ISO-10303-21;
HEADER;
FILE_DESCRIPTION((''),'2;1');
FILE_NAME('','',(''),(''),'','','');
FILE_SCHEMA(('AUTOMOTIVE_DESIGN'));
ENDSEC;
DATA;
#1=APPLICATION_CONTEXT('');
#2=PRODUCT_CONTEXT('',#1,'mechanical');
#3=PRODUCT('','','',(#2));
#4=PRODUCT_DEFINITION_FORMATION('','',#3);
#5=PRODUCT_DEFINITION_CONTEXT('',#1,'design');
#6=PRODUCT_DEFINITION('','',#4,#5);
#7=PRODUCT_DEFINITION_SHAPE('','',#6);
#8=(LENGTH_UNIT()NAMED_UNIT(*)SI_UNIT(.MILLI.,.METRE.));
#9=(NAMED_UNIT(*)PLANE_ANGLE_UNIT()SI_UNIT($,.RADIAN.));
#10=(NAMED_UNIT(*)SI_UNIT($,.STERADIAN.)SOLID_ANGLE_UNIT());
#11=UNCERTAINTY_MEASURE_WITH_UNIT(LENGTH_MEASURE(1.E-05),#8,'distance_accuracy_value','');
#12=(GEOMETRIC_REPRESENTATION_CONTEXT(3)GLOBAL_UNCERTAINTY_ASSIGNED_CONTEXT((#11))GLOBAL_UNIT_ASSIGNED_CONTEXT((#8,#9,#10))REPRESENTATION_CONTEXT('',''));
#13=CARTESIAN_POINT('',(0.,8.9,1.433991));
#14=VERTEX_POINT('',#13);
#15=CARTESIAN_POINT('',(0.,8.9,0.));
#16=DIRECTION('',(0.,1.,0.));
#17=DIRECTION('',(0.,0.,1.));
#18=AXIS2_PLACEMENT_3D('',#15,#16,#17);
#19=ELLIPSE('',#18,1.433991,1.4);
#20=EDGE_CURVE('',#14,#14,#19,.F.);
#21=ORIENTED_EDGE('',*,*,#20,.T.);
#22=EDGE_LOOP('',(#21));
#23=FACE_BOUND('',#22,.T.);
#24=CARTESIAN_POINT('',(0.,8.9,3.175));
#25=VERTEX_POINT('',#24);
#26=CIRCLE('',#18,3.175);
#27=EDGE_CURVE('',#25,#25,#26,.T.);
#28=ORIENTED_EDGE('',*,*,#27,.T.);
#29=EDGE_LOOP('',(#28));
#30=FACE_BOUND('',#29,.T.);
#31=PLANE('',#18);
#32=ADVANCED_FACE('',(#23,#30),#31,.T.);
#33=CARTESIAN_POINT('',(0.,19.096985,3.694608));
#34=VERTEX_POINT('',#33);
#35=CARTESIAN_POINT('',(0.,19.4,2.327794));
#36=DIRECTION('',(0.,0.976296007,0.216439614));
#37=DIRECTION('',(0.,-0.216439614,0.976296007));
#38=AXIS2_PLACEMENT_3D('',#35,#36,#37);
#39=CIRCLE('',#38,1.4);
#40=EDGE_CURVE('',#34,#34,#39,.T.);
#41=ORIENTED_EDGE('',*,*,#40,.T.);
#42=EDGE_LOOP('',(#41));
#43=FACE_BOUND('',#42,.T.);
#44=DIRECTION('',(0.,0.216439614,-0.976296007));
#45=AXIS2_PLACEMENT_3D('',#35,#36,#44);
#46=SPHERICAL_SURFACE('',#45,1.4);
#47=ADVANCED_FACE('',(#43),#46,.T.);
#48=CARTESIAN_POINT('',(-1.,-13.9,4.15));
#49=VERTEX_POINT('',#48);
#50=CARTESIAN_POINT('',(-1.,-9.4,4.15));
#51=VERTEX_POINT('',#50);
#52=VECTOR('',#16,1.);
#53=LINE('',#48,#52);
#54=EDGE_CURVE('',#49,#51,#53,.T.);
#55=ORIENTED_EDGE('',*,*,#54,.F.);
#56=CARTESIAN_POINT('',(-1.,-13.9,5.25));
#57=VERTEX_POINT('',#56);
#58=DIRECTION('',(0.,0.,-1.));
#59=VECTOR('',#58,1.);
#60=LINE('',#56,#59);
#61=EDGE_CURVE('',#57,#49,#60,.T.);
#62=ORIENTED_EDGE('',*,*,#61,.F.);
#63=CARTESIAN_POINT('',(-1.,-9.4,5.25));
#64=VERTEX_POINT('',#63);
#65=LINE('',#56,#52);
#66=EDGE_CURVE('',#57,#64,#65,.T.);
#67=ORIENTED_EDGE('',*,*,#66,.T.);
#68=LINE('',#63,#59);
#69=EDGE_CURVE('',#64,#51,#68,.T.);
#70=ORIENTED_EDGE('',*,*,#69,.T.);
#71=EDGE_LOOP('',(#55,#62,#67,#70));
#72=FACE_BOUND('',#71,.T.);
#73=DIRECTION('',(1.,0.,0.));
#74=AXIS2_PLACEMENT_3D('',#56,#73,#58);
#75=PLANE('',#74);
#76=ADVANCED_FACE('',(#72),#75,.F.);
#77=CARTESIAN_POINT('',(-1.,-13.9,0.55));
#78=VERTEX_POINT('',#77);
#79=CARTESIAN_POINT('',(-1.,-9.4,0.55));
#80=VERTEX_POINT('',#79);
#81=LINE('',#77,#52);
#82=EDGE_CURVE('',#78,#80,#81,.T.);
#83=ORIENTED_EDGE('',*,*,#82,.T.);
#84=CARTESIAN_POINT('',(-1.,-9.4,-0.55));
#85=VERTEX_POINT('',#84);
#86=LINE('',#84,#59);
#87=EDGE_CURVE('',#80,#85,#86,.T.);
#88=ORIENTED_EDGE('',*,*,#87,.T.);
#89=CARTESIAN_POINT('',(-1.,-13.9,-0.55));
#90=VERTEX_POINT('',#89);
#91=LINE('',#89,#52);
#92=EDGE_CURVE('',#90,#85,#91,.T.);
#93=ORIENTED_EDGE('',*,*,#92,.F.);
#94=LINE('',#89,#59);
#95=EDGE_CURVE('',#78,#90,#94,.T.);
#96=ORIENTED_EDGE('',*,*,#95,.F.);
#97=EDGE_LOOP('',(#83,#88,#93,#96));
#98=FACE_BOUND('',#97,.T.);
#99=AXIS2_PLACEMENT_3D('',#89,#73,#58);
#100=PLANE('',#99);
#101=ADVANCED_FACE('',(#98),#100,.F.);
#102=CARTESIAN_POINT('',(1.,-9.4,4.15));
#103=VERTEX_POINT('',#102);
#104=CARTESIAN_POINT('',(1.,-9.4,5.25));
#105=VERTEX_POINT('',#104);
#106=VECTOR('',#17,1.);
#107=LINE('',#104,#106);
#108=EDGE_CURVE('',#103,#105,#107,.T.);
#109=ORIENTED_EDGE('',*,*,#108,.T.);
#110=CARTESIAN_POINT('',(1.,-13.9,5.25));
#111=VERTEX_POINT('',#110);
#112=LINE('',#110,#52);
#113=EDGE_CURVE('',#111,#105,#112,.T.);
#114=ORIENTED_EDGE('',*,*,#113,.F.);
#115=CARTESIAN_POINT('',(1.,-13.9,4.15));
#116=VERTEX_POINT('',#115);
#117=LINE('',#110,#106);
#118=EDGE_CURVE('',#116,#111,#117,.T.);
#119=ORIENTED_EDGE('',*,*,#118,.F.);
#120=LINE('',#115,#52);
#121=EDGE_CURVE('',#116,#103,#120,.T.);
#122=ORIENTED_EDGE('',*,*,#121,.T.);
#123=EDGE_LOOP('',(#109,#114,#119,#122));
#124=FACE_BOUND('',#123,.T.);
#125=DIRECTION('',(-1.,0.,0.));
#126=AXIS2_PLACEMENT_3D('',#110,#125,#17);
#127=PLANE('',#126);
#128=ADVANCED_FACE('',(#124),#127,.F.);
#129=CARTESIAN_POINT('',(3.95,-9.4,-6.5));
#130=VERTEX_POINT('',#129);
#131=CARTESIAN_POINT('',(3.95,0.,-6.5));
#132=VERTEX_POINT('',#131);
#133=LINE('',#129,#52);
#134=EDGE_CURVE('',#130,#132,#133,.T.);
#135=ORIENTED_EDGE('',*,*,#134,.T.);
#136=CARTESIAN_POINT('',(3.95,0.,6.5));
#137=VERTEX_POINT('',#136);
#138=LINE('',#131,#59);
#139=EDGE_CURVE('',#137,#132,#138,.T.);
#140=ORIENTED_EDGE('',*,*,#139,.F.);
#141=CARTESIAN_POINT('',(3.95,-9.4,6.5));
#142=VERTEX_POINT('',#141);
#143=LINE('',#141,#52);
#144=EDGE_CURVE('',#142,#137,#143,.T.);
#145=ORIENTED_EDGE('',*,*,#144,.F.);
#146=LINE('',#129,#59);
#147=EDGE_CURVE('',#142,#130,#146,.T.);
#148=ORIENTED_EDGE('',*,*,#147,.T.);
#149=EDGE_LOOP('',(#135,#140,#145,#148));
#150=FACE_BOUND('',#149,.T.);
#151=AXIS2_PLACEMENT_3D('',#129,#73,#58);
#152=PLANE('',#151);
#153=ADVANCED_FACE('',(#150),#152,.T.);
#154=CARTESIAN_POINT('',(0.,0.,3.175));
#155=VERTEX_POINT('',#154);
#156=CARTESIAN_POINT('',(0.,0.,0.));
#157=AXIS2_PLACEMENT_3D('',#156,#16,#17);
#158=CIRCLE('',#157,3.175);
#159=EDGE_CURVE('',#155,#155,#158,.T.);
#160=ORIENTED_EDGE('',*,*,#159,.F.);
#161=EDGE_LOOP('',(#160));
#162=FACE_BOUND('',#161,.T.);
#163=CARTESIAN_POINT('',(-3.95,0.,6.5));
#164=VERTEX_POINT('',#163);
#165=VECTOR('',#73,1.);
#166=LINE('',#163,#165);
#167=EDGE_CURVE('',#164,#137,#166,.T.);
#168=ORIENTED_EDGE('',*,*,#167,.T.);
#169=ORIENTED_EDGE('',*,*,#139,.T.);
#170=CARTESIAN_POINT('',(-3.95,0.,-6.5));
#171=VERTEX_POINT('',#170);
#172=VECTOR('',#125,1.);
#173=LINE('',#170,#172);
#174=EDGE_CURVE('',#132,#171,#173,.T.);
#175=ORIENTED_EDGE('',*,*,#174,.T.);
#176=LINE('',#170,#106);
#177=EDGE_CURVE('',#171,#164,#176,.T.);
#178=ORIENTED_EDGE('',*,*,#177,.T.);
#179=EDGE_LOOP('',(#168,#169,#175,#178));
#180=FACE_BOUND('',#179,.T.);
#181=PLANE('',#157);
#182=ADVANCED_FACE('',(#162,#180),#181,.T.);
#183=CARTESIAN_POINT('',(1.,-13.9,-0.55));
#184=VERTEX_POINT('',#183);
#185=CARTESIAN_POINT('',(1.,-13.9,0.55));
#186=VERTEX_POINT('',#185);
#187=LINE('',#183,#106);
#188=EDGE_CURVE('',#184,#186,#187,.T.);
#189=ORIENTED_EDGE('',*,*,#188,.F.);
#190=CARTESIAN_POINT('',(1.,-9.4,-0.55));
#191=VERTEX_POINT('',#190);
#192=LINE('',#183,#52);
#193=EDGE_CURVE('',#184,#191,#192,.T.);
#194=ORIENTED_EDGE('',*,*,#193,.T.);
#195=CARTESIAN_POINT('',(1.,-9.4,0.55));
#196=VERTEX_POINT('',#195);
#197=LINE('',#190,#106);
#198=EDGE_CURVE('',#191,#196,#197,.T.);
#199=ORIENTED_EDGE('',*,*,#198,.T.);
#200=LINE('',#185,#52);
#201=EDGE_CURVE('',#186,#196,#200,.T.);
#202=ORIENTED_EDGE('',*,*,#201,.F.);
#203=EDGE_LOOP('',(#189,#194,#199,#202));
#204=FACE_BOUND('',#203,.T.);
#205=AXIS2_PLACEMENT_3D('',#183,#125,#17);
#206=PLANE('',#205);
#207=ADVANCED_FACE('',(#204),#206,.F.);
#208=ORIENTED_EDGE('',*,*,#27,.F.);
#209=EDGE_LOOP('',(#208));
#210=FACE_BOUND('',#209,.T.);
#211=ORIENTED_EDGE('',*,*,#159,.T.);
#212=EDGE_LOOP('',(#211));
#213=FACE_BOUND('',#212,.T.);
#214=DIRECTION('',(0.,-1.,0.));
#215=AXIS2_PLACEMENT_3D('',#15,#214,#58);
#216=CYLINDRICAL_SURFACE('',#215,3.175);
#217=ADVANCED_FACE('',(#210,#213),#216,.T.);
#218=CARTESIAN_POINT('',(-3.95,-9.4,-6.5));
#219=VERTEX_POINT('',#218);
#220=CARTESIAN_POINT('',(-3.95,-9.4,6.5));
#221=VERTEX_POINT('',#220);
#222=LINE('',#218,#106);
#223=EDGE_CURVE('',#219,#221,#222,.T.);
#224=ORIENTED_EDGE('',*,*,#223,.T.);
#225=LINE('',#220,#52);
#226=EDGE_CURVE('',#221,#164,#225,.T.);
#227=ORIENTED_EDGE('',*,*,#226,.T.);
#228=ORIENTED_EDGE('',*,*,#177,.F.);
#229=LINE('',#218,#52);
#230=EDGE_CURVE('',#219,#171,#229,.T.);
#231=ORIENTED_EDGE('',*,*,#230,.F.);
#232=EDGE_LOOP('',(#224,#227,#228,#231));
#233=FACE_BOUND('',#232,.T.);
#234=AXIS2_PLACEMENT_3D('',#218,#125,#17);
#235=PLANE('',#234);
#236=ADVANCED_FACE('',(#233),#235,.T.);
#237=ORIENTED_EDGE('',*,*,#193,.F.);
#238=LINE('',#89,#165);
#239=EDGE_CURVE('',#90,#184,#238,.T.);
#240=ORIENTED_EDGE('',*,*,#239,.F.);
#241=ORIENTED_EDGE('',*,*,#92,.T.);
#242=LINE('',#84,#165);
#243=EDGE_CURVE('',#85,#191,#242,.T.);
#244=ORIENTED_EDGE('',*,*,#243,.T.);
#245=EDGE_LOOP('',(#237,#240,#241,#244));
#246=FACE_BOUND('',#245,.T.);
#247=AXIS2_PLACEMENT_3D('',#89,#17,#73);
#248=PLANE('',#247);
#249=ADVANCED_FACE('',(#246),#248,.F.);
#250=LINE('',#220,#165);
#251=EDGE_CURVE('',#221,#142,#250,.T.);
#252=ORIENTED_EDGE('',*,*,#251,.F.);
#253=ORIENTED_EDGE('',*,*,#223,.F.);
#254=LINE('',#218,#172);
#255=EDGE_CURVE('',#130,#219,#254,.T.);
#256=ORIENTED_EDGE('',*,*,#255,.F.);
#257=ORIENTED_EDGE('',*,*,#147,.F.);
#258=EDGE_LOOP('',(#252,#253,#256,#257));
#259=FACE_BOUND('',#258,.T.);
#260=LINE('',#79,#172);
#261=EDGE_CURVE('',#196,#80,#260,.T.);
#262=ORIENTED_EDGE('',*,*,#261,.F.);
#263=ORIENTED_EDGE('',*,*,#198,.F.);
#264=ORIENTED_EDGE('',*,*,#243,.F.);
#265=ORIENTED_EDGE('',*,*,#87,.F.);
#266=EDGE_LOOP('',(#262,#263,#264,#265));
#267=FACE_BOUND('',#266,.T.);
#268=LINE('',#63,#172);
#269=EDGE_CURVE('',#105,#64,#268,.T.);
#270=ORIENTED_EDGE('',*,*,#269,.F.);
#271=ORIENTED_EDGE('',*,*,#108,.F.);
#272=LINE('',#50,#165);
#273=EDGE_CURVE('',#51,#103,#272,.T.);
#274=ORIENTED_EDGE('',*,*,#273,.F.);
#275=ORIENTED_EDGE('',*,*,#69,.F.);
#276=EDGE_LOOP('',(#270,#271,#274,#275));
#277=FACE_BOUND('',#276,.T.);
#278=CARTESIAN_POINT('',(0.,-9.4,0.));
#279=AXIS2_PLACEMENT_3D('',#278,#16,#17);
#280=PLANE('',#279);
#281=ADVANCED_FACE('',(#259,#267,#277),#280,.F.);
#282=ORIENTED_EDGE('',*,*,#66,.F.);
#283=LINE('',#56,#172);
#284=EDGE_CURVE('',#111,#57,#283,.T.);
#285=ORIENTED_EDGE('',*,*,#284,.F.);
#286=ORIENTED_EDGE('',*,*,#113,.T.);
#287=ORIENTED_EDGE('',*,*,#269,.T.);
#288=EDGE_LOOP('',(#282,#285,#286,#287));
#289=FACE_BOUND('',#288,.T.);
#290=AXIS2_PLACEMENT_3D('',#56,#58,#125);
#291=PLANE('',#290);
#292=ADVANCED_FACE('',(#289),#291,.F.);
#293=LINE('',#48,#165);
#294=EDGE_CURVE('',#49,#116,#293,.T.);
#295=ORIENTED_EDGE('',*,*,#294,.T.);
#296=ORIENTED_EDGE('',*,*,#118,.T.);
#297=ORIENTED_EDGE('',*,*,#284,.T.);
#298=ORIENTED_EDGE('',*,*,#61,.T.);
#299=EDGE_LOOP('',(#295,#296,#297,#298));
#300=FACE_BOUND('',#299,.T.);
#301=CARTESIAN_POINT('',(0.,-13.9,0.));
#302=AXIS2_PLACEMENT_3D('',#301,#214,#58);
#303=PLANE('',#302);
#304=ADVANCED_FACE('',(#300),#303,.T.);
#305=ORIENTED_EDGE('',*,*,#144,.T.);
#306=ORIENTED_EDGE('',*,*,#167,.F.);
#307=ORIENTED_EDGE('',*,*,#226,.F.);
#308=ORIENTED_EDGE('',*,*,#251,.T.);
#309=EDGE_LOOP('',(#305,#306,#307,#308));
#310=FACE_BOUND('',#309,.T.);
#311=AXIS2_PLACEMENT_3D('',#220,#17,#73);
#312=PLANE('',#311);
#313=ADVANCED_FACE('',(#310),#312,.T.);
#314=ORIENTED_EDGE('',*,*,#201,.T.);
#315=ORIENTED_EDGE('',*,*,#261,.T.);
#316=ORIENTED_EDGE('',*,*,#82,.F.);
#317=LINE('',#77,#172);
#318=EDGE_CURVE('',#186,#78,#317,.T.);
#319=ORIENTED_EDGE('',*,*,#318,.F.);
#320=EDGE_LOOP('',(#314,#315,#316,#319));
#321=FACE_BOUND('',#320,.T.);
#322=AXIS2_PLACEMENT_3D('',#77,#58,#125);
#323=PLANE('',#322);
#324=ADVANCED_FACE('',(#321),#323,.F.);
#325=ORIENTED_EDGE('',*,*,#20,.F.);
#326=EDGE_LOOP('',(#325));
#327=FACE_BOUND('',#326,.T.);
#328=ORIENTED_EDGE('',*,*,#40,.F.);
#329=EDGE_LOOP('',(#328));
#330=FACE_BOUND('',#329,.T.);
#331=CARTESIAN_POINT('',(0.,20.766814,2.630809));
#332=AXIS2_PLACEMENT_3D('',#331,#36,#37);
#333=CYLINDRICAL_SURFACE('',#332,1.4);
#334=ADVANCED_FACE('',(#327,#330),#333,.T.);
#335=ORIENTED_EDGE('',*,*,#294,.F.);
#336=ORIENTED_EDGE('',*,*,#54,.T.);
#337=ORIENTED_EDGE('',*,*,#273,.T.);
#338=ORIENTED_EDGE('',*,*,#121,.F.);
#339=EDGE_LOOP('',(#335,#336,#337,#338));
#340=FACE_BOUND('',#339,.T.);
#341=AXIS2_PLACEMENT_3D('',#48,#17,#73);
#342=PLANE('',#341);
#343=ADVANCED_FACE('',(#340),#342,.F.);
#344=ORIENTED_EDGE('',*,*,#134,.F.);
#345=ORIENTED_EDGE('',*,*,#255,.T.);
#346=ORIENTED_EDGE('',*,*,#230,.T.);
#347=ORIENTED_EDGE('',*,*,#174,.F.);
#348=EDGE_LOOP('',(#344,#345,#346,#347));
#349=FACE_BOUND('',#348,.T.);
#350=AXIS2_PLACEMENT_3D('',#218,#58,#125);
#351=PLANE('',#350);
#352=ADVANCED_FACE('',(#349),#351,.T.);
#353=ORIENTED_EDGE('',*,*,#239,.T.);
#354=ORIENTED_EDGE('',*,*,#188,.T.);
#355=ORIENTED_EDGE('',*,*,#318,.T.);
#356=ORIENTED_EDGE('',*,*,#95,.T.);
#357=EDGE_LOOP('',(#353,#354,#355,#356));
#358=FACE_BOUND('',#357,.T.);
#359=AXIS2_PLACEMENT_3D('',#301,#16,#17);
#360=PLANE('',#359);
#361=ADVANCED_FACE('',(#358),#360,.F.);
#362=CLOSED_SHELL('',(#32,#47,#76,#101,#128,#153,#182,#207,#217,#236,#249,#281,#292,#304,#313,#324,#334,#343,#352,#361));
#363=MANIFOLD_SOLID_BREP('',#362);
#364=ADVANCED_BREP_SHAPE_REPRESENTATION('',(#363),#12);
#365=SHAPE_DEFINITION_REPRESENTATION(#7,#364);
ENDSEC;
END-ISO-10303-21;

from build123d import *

# Parameters (mm, degrees)
SKETCH1_W           = 7.9
SKETCH1_H           = 13
BOSS_EXTRUDE1_DEPTH = 9.4
SKETCH2_W           = 2
SKETCH2_H           = 1.1
BOSS_EXTRUDE2_DEPTH = 4.5
SKETCH3_R           = 3.175
BOSS_EXTRUDE3_DEPTH = 8.9


with BuildPart() as part:
    # Sketch1 → Boss-Extrude1 (new body)
    with BuildSketch(Plane(origin=(0, 0, 0), x_dir=(1, 0, 0), z_dir=(0, 1, 0))):
        Rectangle(SKETCH1_W, SKETCH1_H)
    extrude(amount=-BOSS_EXTRUDE1_DEPTH)

    # Sketch2 → Boss-Extrude2 (add)
    with BuildSketch(Plane.XZ.offset(9.4)):
        with Locations((0, 4.7)):
            Rectangle(SKETCH2_W, SKETCH2_H)
        Rectangle(SKETCH2_W, SKETCH2_H)
    extrude(amount=BOSS_EXTRUDE2_DEPTH)

    # Sketch3 → Boss-Extrude3 (add)
    with BuildSketch(Plane(origin=(0, 0, 0), x_dir=(1, 0, 0), z_dir=(0, 1, 0))):
        with Locations(Location((0, 0, 0), (0, 0, 270))):
            Circle(SKETCH3_R)
    extrude(amount=BOSS_EXTRUDE3_DEPTH)

    # Sketch4 → Revolve1 (revolve)
    with BuildSketch(Plane(origin=(0, 0, 0), x_dir=(0, 0, -1), z_dir=(1, 0, 0)), mode=Mode.PRIVATE) as revolve1_sk:
        with BuildLine():
            Line((0, 8.9), (1.43399132, 8.9))
            Line((1.43399132, 8.9), (-0.960979548, 19.70301546))
            ThreePointArc((-0.960979548, 19.70301546), (-1.575574506, 20.580748024), (-2.630809417, 20.76681441))
            Line((-2.630809417, 20.76681441), (0, 8.9))
        make_face()
    revolve(revolve1_sk.sketch.rotate(Axis((0, 20.76681441, 2.630809417), (0, -0.9762960071199331, -0.21643961393810368)), 180), axis=Axis((0, 20.76681441, 2.630809417), (0, -0.9762960071199331, -0.21643961393810368)))


solid = part.part
